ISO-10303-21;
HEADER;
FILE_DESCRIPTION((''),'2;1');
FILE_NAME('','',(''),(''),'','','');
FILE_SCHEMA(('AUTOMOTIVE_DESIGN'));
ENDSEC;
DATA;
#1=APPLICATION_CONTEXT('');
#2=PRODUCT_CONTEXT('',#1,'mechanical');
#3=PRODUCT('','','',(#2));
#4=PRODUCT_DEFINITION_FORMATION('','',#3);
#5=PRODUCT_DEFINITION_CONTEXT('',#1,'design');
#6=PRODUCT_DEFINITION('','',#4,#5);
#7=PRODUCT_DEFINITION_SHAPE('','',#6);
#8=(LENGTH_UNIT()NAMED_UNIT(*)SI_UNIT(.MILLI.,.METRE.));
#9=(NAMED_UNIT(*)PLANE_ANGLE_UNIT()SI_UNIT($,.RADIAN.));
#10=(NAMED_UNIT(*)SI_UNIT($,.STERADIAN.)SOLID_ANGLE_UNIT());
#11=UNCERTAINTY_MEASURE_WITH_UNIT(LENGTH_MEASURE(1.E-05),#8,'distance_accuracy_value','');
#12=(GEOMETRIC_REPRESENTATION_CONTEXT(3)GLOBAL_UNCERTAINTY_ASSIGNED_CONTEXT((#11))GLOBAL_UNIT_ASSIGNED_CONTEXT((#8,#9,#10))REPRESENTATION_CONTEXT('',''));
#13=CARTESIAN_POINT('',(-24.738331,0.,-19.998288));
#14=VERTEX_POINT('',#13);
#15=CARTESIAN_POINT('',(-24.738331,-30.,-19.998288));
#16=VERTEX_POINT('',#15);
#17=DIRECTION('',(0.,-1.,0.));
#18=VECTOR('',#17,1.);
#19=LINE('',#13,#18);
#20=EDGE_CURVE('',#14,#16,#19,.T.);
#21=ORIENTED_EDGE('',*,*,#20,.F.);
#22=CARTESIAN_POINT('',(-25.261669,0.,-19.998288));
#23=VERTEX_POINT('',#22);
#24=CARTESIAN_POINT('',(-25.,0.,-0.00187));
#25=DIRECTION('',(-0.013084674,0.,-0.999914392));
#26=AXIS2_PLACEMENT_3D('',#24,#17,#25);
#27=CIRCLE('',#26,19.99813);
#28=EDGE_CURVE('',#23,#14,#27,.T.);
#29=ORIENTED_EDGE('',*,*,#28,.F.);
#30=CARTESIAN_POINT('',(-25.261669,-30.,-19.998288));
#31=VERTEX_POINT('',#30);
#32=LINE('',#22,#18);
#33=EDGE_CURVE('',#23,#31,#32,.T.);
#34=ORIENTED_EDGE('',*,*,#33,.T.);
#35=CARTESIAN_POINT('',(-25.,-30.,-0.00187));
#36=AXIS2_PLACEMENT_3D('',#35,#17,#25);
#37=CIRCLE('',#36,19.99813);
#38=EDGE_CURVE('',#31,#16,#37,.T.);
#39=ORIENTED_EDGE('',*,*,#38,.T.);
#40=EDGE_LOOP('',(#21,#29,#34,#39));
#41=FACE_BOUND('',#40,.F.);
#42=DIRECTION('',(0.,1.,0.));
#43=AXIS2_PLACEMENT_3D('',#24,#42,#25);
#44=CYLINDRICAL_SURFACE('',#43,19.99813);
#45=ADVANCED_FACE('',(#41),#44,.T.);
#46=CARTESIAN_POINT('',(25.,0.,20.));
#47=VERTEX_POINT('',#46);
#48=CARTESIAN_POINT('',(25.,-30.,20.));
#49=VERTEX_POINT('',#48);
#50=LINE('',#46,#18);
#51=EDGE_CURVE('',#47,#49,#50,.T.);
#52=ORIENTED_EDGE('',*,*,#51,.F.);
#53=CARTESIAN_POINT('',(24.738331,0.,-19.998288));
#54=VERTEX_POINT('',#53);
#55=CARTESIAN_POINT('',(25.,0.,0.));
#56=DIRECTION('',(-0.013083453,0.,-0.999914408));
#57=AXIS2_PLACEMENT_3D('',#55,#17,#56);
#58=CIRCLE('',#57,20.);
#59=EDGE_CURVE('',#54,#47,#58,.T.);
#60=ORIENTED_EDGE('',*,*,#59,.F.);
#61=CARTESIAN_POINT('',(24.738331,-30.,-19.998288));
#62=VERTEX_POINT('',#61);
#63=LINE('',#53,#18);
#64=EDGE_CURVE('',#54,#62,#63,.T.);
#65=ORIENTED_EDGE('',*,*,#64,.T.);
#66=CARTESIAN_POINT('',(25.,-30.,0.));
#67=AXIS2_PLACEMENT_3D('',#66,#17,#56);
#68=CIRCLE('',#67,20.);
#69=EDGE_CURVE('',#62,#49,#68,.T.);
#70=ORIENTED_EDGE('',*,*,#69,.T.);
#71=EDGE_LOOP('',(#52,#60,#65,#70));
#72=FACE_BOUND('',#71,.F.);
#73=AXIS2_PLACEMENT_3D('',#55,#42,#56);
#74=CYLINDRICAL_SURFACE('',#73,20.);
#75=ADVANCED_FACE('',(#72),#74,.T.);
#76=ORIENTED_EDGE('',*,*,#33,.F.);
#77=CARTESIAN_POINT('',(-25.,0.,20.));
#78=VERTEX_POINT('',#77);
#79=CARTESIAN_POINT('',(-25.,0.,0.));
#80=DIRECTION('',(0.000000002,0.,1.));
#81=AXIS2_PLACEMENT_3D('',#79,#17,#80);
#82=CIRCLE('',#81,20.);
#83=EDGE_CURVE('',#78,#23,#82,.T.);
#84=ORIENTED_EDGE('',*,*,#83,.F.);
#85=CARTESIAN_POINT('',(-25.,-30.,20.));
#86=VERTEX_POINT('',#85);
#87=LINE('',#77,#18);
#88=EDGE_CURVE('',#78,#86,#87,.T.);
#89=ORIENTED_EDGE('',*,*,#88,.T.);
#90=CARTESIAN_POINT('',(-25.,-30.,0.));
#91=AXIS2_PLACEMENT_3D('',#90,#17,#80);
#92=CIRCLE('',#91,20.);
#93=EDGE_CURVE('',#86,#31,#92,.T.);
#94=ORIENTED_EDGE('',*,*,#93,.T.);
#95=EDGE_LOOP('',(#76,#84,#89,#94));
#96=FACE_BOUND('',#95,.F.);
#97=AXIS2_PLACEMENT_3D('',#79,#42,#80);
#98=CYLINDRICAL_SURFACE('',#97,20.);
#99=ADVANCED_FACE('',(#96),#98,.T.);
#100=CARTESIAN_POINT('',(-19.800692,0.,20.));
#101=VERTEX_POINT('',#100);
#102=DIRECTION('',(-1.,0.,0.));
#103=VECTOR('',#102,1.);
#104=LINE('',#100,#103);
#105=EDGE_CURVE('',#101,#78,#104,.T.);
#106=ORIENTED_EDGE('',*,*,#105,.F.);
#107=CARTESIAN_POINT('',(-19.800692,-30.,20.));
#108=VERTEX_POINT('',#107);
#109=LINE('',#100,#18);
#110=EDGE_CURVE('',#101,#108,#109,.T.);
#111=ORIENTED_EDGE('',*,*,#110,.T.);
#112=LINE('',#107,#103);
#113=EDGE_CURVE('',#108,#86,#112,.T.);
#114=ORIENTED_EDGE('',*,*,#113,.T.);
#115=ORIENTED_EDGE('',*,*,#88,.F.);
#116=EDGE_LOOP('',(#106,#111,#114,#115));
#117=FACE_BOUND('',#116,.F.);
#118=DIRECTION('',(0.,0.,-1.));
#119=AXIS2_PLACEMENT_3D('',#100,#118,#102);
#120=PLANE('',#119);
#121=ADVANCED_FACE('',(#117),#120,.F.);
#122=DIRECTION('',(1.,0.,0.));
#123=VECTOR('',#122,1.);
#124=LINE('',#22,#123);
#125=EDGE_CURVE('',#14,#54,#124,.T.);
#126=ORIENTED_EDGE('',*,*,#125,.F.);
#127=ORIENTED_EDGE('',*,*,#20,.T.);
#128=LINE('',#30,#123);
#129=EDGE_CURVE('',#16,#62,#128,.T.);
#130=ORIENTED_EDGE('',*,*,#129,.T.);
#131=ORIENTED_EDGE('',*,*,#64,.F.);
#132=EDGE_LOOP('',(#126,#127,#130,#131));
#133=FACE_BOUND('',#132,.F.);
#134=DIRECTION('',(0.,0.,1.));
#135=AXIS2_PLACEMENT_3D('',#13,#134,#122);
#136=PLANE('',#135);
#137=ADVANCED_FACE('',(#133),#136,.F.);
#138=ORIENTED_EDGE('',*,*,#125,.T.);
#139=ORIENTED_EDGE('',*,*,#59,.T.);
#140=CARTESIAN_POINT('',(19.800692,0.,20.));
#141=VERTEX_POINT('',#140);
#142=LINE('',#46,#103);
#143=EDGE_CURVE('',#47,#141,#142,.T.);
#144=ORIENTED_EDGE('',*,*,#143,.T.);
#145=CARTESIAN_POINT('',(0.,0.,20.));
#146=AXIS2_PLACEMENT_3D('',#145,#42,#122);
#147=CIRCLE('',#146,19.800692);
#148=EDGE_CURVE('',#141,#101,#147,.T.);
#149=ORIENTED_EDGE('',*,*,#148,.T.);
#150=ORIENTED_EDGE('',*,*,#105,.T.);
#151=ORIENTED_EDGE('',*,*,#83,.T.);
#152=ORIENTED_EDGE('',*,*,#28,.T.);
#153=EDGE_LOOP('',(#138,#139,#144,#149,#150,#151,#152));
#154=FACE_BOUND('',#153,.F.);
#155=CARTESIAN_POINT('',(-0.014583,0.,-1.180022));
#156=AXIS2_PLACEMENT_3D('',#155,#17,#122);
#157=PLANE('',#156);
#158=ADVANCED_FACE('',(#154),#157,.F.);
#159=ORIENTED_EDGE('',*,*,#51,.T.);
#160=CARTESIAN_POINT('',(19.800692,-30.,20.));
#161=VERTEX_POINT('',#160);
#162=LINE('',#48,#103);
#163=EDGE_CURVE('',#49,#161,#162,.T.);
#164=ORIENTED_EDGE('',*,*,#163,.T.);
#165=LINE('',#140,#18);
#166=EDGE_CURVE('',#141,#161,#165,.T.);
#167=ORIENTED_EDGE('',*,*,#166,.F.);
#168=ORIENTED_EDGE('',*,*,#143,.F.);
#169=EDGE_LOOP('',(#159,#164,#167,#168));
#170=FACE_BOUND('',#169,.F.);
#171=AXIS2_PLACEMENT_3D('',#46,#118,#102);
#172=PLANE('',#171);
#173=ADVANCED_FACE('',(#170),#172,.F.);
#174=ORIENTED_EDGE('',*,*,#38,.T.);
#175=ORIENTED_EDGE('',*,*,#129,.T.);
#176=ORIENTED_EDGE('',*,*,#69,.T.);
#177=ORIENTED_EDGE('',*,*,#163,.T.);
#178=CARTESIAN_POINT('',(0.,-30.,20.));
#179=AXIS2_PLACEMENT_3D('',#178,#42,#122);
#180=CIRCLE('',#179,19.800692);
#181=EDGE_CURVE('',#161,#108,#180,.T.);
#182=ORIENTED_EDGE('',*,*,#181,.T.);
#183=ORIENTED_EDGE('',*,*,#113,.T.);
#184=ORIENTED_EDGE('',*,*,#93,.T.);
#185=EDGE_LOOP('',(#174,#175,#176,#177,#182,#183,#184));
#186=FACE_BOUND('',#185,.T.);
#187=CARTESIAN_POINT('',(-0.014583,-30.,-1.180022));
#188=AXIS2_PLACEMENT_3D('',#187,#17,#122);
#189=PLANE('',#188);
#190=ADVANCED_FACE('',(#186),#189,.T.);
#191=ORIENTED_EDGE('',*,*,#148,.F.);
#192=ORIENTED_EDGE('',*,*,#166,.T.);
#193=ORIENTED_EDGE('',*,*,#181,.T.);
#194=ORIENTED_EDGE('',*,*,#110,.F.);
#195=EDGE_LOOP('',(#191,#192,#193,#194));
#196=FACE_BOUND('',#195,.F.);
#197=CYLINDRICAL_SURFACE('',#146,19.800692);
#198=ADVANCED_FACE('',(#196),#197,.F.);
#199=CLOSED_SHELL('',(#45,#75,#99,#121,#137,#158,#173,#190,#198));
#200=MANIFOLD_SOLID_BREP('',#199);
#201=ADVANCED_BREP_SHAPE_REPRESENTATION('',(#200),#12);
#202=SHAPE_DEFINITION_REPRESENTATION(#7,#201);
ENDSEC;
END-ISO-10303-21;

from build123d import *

# Parameters (mm, degrees)
F1_DEPTH = 30


with BuildPart() as f1:
    # F0 (on Front) → F1 (new body)
    with BuildSketch(Plane.XZ):
        with BuildLine():
            Line((-20, 20), (-25, 20))
            ThreePointArc((-25, 20), (-44.999572, 0.130838), (-25.261669, -19.998288))
            Line((-25.261669, -19.998288), (-24.738331, -19.998288))
            Line((-24.738331, -19.998288), (24.738331, -19.998288))
            ThreePointArc((24.738331, -19.998288), (44.999572, -0.130838), (25, 20))
            Line((25, 20), (20, 20))
            Line((20, 20), (19.800692, 20))
            ThreePointArc((19.800692, 20), (0, 0.199308), (-19.800692, 20))
            Line((-19.800692, 20), (-20, 20))
        make_face()
        with BuildLine():
            Line((-24.738331, -19.998288), (-25.261669, -19.998288))
            ThreePointArc((-25.261669, -19.998288), (-25, -20), (-24.738331, -19.998288))
        make_face()
    extrude(amount=F1_DEPTH)


solid = f1.part
